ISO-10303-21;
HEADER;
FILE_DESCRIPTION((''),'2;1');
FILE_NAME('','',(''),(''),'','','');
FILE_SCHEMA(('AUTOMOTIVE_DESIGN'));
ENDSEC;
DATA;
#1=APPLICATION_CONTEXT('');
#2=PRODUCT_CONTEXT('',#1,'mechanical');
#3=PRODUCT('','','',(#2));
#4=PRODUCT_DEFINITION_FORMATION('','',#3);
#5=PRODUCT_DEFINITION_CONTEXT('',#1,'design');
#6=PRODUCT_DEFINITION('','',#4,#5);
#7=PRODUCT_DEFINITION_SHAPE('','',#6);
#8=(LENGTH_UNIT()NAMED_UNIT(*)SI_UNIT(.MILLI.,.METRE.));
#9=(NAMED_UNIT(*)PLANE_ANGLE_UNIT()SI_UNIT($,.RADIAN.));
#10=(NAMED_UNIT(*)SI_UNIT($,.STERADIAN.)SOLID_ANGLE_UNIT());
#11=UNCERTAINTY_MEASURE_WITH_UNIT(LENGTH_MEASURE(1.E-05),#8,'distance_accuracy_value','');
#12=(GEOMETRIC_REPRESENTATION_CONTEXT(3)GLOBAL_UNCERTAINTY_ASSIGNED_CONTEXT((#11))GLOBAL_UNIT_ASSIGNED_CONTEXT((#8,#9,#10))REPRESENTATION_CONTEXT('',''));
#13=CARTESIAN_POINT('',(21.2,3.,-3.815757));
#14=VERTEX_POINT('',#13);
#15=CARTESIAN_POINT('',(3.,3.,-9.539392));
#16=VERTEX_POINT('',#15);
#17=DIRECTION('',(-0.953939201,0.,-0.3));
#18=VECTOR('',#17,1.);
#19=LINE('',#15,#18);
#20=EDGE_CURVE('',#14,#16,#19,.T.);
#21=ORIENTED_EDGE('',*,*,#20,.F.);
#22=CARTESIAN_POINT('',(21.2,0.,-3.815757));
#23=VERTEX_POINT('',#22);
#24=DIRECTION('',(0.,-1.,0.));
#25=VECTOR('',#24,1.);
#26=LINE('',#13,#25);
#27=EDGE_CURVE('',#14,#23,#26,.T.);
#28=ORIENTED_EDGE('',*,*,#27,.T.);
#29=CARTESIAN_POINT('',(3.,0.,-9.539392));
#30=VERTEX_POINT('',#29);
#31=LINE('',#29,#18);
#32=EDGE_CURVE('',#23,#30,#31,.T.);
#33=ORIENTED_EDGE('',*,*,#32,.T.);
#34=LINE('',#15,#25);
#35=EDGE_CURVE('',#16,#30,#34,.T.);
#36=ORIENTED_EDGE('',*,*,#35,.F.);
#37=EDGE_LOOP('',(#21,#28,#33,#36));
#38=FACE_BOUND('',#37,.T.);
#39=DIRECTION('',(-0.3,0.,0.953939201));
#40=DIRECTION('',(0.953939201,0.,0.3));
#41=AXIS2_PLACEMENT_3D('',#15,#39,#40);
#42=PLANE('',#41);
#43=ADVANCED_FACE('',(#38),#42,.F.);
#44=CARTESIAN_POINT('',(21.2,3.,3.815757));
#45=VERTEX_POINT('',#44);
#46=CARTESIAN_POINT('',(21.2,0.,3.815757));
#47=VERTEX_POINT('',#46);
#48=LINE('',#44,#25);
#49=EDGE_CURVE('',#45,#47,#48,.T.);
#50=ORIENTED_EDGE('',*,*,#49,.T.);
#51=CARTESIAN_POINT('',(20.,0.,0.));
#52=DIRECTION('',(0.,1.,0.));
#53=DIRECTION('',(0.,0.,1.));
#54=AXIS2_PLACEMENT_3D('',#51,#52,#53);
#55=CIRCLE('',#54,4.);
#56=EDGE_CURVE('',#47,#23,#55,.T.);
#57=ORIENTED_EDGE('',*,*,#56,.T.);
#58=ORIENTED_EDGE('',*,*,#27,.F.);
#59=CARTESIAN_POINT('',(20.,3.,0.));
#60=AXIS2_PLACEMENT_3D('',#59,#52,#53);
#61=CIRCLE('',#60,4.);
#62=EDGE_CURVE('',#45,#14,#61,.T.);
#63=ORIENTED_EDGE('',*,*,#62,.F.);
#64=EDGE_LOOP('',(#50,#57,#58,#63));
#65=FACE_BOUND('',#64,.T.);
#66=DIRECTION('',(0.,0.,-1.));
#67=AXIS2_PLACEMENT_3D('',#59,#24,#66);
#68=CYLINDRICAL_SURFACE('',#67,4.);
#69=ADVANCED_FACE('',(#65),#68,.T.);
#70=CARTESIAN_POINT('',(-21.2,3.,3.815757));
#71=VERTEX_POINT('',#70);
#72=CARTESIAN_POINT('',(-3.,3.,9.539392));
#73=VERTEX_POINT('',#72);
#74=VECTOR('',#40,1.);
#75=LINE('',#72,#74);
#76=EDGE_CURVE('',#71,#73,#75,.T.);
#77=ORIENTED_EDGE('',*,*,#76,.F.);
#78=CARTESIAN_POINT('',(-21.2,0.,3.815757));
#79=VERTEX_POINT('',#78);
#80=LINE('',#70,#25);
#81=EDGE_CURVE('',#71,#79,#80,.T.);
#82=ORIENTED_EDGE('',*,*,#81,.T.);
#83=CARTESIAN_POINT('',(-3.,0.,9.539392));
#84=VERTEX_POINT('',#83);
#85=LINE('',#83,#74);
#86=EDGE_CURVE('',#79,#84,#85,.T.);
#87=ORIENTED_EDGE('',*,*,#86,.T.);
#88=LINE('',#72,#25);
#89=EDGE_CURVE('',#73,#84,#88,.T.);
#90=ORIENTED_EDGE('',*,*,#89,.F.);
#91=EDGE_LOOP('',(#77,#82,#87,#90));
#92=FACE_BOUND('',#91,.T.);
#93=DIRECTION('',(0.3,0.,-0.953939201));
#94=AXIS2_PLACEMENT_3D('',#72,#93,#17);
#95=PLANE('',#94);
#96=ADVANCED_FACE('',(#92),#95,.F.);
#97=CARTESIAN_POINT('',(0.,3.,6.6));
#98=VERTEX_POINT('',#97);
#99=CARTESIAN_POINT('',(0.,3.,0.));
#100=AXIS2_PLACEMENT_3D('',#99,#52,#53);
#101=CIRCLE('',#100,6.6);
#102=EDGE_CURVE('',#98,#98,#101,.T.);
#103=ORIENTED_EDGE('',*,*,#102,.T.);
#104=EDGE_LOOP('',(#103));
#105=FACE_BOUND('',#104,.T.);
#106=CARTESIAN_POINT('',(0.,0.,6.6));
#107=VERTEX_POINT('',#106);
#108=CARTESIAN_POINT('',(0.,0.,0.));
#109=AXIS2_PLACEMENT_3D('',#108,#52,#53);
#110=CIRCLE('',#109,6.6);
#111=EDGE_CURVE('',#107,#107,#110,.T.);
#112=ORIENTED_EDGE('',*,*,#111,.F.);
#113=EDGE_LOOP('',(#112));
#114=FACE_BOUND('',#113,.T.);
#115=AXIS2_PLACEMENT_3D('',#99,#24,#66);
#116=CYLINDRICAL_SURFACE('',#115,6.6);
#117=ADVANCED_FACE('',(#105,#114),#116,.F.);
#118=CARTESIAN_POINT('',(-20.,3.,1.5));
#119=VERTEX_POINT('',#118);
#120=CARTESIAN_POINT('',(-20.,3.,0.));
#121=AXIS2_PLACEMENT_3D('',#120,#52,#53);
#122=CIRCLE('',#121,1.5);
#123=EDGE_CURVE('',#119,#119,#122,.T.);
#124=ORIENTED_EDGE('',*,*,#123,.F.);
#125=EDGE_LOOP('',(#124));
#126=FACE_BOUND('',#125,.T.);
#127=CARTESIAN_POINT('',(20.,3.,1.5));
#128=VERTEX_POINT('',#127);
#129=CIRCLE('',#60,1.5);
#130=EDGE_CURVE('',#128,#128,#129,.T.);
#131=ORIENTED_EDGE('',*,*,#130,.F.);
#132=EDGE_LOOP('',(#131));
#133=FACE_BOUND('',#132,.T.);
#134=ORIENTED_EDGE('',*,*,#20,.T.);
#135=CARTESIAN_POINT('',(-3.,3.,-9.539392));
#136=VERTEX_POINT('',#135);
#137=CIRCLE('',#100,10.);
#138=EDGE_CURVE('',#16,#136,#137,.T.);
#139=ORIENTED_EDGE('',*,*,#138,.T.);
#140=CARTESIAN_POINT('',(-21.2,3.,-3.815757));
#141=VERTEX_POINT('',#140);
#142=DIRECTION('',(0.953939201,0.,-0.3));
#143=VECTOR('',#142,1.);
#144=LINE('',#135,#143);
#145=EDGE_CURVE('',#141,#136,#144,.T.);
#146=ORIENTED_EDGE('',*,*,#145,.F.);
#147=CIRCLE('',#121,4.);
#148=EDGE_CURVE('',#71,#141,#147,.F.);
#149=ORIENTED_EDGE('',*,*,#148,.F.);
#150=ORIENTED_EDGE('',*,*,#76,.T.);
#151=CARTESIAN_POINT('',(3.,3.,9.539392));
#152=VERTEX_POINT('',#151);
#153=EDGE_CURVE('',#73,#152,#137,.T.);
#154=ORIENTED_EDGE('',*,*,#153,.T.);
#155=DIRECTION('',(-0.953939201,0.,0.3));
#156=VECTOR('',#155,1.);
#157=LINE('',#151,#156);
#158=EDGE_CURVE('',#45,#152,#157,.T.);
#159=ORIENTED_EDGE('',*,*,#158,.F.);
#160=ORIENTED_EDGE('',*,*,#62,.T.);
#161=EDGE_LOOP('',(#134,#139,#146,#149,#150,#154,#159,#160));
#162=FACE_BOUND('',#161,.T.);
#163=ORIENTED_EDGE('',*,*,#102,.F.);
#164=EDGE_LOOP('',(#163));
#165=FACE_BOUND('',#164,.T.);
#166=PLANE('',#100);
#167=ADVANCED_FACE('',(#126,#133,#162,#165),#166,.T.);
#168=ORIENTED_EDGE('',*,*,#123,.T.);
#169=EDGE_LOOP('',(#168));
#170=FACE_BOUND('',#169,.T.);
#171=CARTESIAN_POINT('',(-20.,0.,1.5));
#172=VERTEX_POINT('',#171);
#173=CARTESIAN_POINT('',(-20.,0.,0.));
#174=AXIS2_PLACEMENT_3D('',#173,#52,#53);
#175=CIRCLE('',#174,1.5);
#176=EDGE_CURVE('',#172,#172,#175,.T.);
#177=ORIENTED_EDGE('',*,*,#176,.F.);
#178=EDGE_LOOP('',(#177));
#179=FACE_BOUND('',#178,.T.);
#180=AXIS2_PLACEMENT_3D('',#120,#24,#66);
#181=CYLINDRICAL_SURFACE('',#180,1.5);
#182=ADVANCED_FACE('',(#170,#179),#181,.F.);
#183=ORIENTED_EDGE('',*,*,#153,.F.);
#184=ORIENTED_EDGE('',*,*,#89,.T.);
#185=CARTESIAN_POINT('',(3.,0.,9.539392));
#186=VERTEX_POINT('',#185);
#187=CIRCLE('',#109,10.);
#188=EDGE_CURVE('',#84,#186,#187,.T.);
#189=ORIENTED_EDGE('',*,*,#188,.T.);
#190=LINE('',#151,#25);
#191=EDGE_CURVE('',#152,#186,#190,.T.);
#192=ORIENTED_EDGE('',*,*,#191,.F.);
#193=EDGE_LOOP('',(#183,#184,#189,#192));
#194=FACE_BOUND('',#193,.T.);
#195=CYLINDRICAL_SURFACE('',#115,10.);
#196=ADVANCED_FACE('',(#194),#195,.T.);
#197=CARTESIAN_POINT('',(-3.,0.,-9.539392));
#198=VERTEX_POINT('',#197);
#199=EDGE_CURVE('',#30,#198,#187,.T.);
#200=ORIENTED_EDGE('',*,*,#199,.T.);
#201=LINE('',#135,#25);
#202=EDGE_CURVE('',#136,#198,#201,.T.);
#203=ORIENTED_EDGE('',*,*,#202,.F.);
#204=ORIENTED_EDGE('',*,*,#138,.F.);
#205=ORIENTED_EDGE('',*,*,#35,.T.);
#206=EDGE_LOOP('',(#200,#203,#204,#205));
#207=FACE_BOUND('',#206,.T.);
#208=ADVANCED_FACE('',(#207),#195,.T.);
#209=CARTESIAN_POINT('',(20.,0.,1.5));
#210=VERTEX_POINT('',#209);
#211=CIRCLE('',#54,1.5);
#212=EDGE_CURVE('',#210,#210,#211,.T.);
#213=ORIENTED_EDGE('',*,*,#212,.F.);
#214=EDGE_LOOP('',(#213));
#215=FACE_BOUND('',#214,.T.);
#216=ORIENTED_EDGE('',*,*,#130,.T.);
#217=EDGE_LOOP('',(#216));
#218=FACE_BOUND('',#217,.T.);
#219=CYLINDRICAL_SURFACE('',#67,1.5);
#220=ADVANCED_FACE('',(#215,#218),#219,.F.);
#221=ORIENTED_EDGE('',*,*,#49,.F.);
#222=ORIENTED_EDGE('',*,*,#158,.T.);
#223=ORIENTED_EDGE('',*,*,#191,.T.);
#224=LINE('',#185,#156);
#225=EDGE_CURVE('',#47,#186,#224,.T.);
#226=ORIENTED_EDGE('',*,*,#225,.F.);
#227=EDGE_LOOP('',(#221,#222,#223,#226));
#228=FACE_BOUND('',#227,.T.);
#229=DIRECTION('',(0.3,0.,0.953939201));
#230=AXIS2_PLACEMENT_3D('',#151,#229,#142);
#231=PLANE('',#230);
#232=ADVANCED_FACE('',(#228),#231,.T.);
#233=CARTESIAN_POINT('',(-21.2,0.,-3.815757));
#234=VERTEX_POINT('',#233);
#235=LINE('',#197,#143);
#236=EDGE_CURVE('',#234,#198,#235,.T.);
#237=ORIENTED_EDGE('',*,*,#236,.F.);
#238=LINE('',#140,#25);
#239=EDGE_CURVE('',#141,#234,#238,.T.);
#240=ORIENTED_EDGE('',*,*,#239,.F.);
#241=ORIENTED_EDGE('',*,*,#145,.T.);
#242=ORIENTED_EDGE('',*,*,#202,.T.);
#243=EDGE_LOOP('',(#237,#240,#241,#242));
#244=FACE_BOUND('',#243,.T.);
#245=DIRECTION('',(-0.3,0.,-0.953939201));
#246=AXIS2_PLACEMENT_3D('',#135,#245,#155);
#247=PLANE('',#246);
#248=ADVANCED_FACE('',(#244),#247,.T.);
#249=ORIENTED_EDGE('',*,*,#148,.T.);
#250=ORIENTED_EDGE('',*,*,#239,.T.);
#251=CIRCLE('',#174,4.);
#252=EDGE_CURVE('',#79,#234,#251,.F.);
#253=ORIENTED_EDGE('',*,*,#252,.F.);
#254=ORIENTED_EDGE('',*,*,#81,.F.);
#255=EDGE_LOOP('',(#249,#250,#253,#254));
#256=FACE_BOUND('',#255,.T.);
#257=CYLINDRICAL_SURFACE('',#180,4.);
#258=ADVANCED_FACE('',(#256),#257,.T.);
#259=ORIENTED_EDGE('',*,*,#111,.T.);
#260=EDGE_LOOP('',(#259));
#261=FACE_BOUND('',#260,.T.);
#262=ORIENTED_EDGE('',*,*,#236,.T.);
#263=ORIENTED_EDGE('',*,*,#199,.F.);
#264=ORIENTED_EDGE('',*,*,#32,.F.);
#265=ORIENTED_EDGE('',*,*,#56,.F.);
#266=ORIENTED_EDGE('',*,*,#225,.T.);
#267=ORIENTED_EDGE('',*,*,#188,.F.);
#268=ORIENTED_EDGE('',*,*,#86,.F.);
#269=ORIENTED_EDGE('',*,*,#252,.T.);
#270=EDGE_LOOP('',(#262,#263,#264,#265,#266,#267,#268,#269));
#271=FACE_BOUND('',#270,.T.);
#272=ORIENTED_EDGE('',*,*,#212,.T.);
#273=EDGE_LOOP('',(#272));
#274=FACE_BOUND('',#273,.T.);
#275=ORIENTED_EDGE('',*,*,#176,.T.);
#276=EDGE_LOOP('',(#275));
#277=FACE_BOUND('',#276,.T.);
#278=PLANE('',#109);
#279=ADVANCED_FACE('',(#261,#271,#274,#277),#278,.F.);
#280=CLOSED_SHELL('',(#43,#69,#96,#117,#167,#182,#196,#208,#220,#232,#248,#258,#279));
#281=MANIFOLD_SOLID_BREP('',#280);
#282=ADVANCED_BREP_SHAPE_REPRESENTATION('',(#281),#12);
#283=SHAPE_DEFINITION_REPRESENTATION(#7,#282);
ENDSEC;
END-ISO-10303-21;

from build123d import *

# Parameters (mm, degrees)
SKETCH_1_R      = 1.5
SKETCH_1_R_2    = 6.6
EXTRUDE_1_DEPTH = 3


with BuildPart() as part:
    # 草图1 → 凸台-拉伸1 (new body)
    with BuildSketch(Plane(origin=(0, 0, 0), x_dir=(1, 0, 0), z_dir=(0, 1, 0))):
        with BuildLine():
            ThreePointArc((21.2, -3.815756806), (24, 0), (21.2, 3.815756806))
            Line((21.2, 3.815756806), (3, 9.539392014))
            ThreePointArc((3, 9.539392014), (0, 10), (-3, 9.539392014))
            Line((-3, 9.539392014), (-21.2, 3.815756806))
            ThreePointArc((-21.2, 3.815756806), (-24, 0), (-21.2, -3.815756806))
            Line((-21.2, -3.815756806), (-3, -9.539392014))
            ThreePointArc((-3, -9.539392014), (0, -10), (3, -9.539392014))
            Line((3, -9.539392014), (21.2, -3.815756806))
        make_face()
        with Locations((-20, 0)):
            Circle(SKETCH_1_R, mode=Mode.SUBTRACT)
        Circle(SKETCH_1_R_2, mode=Mode.SUBTRACT)
        with Locations((20, 0)):
            Circle(SKETCH_1_R, mode=Mode.SUBTRACT)
    extrude(amount=EXTRUDE_1_DEPTH)


solid = part.part
